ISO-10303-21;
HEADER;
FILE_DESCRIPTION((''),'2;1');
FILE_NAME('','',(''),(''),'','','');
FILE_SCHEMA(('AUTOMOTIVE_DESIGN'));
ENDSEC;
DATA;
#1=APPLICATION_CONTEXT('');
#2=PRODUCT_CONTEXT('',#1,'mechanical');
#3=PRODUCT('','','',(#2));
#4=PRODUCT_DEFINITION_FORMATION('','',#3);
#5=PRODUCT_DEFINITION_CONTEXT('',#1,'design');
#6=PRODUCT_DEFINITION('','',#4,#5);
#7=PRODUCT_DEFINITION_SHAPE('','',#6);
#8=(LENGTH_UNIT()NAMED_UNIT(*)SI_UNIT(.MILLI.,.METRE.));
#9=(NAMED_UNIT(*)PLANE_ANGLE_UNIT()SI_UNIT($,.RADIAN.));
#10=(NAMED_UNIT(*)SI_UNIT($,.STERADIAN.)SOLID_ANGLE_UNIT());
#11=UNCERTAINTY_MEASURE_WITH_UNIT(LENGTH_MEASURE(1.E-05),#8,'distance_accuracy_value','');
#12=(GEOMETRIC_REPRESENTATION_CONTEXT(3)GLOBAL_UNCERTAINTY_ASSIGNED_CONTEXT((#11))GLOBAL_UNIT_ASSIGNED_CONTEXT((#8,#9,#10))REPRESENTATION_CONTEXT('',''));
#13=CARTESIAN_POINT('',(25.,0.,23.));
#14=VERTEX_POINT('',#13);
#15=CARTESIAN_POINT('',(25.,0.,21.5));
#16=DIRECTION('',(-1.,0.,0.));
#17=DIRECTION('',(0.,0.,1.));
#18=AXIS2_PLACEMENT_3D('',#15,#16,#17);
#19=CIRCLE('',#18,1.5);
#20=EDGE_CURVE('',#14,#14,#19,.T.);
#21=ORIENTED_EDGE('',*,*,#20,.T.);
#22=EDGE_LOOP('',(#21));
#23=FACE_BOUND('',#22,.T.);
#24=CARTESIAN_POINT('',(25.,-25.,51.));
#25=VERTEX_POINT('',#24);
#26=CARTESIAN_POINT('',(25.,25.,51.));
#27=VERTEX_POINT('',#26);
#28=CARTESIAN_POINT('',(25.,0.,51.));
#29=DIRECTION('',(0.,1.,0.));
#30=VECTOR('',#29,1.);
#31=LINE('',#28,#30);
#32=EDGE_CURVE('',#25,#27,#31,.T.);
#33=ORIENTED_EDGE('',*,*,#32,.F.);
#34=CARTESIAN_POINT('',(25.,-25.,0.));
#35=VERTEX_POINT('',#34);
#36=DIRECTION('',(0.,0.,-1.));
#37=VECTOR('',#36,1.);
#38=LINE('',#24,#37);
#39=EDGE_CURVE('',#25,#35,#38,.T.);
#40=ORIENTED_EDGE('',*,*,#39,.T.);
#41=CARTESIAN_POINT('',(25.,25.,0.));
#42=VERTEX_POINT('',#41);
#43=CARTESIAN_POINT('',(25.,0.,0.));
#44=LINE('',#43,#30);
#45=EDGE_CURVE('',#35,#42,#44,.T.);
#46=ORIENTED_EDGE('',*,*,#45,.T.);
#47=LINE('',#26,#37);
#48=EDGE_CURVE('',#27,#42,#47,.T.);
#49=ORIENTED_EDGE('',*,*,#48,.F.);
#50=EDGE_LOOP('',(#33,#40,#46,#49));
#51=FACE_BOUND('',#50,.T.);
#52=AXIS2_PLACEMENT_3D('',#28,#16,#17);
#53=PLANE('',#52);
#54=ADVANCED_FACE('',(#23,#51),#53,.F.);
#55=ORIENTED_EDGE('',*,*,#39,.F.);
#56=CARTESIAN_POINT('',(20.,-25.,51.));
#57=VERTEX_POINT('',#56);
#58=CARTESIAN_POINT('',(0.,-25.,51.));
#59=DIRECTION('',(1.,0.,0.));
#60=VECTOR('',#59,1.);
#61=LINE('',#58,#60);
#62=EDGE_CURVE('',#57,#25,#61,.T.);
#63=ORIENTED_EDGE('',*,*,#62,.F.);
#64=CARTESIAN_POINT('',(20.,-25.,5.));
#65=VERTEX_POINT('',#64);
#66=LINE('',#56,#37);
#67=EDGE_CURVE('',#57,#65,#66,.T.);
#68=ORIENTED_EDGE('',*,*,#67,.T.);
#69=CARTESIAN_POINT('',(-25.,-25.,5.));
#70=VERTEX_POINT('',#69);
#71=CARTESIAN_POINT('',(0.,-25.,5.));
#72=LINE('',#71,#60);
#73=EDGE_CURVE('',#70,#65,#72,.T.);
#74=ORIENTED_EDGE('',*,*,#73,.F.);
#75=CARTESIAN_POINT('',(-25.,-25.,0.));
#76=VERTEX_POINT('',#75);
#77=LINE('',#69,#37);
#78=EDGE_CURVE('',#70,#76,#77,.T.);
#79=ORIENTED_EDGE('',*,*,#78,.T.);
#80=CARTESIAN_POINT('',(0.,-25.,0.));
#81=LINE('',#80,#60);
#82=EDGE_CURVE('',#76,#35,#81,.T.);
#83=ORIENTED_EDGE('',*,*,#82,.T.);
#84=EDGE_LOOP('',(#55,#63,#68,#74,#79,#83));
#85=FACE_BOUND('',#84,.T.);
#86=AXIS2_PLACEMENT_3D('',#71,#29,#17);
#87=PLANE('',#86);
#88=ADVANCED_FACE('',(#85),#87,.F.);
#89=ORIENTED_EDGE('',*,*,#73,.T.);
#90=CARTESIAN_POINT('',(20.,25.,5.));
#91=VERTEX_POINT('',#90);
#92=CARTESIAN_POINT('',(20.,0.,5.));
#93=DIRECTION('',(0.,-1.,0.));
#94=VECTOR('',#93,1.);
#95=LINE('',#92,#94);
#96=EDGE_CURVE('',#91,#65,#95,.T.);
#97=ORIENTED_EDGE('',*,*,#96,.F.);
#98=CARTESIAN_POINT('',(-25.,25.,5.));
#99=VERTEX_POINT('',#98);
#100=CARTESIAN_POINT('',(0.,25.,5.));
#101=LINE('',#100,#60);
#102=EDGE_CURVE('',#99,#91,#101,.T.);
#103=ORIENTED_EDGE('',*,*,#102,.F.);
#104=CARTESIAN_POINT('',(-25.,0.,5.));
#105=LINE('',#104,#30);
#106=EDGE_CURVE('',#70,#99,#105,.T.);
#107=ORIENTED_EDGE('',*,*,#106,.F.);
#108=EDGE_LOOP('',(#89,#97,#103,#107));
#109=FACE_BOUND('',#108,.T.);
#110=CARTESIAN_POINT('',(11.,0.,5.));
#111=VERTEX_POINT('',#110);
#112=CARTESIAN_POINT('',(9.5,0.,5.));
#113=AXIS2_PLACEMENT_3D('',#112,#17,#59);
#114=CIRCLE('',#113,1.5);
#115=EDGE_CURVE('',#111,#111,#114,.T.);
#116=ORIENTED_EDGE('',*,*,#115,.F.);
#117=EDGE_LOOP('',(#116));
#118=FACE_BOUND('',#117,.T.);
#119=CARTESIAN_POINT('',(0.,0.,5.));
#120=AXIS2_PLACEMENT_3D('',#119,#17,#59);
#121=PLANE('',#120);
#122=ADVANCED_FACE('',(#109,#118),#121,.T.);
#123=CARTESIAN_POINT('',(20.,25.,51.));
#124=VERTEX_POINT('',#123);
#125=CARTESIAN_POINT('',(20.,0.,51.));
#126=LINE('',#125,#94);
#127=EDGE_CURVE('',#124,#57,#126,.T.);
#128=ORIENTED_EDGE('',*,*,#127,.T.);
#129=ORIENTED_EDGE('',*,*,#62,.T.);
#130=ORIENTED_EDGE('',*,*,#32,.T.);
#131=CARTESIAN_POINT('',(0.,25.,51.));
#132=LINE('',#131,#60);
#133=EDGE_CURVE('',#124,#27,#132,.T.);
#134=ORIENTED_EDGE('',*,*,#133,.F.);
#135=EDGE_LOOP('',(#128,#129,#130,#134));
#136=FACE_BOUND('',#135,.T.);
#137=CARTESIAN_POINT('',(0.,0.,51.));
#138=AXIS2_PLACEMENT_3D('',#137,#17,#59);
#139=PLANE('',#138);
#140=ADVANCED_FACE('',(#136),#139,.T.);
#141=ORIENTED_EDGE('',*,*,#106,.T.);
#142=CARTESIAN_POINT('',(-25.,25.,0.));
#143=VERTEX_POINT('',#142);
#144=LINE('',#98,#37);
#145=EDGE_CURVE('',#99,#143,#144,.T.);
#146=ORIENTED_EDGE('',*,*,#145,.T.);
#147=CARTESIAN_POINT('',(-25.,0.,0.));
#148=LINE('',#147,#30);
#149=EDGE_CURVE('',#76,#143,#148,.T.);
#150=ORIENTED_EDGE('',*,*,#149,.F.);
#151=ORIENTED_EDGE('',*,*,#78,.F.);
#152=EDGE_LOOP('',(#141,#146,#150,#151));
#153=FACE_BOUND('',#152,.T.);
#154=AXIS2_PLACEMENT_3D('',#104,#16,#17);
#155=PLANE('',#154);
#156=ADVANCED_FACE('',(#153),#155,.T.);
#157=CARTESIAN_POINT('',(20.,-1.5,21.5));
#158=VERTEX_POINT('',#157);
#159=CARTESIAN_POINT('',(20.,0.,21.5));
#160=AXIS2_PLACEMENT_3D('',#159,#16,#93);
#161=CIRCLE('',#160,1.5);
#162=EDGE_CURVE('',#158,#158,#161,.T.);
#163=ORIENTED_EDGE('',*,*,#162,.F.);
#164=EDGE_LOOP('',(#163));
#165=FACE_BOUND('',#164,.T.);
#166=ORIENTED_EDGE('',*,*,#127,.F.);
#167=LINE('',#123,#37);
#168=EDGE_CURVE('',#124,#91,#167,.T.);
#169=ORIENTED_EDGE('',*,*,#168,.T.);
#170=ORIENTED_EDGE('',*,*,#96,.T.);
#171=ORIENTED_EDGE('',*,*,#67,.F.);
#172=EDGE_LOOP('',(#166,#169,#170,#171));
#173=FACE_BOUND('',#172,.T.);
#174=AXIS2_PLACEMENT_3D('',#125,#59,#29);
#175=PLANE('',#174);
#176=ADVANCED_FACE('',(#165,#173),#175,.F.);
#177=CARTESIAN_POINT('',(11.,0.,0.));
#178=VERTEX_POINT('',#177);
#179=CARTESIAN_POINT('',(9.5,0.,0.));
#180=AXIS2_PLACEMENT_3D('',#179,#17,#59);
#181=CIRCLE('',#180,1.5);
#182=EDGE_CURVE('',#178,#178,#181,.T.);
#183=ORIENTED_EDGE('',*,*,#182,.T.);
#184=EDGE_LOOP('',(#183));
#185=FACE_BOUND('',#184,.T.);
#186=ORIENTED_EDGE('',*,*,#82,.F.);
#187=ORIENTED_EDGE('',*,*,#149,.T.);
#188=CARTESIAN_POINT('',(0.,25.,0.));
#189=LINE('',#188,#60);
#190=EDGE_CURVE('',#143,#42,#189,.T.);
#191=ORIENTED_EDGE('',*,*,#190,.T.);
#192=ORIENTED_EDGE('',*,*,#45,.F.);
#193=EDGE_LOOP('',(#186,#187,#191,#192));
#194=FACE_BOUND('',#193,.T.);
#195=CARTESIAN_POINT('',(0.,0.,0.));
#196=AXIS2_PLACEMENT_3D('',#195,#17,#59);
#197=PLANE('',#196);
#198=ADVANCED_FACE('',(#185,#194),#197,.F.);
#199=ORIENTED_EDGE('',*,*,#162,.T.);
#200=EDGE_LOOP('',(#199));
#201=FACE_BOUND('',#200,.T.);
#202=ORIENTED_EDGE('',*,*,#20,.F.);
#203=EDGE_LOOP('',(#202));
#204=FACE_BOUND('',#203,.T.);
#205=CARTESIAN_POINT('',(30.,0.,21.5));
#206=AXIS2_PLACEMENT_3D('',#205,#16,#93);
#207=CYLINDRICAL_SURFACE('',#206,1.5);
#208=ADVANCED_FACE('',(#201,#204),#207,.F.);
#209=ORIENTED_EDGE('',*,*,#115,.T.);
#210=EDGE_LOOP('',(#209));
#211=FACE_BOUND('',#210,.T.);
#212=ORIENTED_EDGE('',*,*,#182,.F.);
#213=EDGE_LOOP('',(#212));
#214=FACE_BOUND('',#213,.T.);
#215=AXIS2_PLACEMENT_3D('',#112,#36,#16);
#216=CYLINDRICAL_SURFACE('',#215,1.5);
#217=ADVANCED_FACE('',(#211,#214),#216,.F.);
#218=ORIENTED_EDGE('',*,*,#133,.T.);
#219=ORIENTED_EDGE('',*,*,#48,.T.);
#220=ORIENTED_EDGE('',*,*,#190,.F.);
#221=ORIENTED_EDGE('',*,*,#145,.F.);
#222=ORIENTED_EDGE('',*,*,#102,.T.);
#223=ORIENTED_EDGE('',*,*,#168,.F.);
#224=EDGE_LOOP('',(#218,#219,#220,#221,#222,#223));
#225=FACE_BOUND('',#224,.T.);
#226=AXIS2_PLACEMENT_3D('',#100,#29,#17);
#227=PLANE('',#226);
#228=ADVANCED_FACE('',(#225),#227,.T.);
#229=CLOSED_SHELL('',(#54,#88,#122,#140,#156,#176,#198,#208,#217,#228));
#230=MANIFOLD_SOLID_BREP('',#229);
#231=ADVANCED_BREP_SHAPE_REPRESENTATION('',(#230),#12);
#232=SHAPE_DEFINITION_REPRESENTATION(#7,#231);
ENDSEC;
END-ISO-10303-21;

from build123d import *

# Parameters (mm, degrees)
EXTRUDE_1_DEPTH     = 5
EXTRUDE_2_DEPTH     = 51
SKETCH_2_R          = 1.5
CUT_EXTRUDE_1_DEPTH = 10


with BuildPart() as part:
    # ｽｹｯﾁ1 → ﾎﾞｽ - 押し出し1 (new body)
    with BuildSketch(Plane.XY):
        Polygon((20, -25), (20, 0), (20, 25), (-25, 25), (-25, -25), align=None)
        with BuildLine():
            ThreePointArc((8, 0), (9.5, 1.5), (11, 0))
            ThreePointArc((11, 0), (9.5, -1.5), (8, 0))
        make_face(mode=Mode.SUBTRACT)
    extrude(amount=EXTRUDE_1_DEPTH)

    # ｽｹｯﾁ1<4> → ﾎﾞｽ - 押し出し2 (add)
    with BuildSketch(Plane.XY):
        Polygon((20, 25), (20, 0), (20, -25), (25, -25), (25, 25), align=None)
    extrude(amount=EXTRUDE_2_DEPTH)

    # ｽｹｯﾁ2 → ｶｯﾄ - 押し出し1 (cut)
    with BuildSketch(Plane.ZY.offset(-20)):
        with Locations((21.5, 0)):
            Circle(SKETCH_2_R)
    extrude(amount=-CUT_EXTRUDE_1_DEPTH, mode=Mode.SUBTRACT)


solid = part.part
